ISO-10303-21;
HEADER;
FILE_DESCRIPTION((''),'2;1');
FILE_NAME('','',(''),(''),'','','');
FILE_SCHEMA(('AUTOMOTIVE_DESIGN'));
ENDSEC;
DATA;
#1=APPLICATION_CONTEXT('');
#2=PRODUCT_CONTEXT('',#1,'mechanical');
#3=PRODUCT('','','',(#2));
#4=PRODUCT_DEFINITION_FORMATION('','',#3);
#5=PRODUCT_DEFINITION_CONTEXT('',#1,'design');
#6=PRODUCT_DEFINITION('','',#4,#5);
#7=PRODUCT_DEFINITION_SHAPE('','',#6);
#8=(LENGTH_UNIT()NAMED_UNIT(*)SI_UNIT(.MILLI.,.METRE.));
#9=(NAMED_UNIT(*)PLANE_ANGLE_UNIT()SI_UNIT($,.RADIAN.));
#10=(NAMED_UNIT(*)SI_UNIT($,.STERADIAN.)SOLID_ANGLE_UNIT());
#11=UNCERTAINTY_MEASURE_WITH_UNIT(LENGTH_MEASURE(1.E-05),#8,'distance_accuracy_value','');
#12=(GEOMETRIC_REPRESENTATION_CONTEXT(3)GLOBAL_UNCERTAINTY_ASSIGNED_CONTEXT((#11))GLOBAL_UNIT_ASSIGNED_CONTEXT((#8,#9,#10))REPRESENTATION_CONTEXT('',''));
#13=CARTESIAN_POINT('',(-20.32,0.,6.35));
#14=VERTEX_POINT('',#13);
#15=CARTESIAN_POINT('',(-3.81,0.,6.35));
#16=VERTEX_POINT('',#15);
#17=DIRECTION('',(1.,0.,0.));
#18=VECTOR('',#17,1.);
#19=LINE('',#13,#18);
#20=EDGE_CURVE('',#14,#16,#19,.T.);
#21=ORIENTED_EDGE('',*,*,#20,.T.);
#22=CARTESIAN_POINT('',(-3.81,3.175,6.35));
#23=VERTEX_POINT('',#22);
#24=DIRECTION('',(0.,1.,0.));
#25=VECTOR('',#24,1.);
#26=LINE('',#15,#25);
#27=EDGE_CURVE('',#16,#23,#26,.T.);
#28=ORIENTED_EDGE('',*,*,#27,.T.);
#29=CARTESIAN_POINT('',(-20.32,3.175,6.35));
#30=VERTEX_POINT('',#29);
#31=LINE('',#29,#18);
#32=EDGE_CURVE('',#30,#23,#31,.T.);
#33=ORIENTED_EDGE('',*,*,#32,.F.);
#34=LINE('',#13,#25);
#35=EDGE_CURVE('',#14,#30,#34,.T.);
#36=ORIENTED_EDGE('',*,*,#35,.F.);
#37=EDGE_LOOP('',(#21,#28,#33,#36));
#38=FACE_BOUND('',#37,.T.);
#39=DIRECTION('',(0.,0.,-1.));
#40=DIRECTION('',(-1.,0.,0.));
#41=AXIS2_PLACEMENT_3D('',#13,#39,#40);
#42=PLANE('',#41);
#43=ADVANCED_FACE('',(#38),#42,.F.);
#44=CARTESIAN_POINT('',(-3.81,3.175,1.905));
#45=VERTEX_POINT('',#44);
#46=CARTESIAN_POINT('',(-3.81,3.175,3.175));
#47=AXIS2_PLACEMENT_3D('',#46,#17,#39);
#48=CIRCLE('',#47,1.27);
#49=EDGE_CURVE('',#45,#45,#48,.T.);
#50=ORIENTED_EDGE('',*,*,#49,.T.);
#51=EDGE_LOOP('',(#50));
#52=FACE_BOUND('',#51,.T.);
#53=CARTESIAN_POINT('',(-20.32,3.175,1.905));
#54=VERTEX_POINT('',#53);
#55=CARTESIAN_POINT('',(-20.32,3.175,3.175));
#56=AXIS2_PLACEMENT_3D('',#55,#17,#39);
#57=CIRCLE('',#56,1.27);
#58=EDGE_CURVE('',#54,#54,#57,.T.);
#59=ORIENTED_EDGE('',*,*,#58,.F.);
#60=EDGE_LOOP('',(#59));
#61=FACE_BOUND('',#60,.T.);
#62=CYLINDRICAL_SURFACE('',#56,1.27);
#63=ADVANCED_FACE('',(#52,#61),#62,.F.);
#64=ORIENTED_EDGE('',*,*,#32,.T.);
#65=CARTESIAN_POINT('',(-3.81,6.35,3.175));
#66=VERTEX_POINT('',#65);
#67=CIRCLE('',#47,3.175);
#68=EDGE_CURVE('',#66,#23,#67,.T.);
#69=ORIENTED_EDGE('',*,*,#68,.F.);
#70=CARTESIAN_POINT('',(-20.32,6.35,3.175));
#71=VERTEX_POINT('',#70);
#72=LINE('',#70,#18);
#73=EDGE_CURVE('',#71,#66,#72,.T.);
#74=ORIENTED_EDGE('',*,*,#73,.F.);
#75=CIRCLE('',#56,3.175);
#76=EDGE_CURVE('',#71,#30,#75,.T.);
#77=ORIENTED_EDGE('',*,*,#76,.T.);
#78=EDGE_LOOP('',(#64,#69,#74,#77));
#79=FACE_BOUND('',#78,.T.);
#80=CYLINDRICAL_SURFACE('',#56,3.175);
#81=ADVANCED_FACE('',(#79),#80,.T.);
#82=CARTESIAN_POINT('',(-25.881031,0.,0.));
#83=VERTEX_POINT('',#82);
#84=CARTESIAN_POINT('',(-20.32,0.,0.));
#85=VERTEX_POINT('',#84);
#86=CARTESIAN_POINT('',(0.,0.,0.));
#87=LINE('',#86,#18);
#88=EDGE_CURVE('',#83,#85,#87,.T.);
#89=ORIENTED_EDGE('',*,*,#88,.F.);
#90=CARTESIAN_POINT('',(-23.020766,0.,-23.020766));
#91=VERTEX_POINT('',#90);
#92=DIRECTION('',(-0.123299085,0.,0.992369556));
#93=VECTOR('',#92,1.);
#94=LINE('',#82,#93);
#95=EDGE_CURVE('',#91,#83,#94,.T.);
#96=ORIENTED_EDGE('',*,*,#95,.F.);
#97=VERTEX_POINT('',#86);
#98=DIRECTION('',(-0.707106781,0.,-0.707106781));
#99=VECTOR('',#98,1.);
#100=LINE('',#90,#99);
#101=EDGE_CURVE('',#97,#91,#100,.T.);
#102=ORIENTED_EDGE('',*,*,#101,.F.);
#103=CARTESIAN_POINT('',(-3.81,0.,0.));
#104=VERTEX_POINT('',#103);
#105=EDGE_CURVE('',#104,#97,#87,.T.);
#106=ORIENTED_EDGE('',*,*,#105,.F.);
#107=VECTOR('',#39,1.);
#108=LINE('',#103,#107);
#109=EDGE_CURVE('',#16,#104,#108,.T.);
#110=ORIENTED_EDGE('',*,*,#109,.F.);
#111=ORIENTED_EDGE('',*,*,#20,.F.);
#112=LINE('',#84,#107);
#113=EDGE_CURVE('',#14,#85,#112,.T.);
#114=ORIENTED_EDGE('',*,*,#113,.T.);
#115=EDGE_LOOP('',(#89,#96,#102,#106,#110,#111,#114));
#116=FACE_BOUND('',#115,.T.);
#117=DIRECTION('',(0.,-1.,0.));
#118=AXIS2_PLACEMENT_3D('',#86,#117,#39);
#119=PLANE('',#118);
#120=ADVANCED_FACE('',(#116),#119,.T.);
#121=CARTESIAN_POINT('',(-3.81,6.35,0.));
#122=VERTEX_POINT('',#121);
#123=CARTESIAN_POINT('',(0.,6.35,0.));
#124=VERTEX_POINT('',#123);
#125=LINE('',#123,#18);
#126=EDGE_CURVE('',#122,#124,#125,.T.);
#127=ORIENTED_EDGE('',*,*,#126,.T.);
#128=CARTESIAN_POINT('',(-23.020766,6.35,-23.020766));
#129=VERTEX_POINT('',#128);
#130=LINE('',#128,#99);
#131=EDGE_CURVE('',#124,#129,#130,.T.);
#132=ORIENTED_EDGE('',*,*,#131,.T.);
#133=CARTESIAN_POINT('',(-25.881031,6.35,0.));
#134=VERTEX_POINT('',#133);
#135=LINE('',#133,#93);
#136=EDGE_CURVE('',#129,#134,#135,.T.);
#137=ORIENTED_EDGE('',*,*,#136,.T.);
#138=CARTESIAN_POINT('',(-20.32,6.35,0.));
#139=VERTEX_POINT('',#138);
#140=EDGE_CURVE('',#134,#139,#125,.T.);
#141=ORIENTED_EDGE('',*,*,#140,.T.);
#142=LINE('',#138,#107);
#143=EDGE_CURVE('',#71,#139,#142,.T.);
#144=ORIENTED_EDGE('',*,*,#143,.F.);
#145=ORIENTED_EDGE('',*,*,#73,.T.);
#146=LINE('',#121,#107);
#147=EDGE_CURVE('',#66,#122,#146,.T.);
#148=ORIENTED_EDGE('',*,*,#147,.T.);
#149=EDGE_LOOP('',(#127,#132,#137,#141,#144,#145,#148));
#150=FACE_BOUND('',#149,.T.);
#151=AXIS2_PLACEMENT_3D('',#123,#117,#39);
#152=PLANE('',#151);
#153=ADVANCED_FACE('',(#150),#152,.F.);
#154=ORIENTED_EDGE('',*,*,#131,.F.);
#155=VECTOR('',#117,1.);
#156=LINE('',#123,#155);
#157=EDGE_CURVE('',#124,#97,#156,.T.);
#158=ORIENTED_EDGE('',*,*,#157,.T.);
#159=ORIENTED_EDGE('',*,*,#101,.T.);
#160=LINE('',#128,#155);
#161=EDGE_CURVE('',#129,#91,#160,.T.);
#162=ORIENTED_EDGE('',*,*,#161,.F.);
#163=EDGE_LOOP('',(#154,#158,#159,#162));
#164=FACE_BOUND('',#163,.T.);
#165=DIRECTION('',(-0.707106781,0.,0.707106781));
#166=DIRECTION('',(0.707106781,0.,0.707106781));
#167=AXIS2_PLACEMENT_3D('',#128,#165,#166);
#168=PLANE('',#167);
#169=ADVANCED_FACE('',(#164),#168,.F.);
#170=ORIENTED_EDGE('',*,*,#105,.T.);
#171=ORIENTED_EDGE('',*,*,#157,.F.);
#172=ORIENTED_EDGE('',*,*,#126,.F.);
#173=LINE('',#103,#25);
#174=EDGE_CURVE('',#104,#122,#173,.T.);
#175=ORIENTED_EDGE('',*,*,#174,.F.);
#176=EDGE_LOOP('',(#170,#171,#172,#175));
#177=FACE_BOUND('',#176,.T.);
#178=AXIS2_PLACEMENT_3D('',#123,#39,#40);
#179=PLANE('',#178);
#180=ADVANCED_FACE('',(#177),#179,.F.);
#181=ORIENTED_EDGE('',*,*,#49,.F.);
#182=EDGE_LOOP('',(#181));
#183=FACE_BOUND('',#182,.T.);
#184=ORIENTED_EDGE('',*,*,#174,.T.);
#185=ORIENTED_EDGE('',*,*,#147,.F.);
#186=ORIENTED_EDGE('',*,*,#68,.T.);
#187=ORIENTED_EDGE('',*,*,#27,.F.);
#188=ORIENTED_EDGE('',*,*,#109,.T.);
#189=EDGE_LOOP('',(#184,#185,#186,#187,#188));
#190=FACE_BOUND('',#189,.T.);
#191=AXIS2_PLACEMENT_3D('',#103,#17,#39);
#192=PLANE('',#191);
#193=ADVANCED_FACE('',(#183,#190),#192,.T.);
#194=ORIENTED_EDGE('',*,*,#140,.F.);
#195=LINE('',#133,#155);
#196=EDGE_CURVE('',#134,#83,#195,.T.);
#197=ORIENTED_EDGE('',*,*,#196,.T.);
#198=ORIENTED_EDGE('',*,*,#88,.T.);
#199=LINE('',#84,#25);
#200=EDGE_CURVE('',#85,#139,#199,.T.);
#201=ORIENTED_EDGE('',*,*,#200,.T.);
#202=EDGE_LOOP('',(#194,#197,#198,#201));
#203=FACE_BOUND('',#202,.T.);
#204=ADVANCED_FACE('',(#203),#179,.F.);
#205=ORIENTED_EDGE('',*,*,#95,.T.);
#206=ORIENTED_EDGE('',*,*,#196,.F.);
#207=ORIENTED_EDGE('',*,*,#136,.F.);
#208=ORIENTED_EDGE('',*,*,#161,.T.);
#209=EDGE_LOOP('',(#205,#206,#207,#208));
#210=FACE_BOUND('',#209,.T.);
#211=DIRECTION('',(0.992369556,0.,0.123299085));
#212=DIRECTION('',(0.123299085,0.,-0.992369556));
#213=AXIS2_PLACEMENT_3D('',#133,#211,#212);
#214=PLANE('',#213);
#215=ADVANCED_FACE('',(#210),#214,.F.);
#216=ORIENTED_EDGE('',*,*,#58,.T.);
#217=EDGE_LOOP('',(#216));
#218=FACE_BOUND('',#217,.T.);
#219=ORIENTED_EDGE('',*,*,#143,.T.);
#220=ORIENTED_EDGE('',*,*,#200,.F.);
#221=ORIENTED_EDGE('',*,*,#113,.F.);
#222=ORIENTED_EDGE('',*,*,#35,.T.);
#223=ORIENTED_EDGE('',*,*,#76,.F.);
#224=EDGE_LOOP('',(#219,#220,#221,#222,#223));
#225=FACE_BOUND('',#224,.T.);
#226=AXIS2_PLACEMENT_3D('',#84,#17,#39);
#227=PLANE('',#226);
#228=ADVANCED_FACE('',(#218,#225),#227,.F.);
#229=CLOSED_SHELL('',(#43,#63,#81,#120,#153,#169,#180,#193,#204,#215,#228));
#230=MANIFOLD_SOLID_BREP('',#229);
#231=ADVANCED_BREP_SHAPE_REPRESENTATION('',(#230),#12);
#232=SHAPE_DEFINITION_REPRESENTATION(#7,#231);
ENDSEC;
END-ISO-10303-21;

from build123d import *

# Parameters (mm, degrees)
BOSS_EXTRUDE1_DEPTH = 6.35
BOSS_EXTRUDE2_START = -3.81
SKETCH2_R           = 3.175
SKETCH2_R_2         = 1.27
BOSS_EXTRUDE2_DEPTH = 16.51


with BuildPart() as part:
    # Sketch1 → Boss-Extrude1 (new body)
    with BuildSketch(Plane(origin=(0, 0, 0), x_dir=(1, 0, 0), z_dir=(0, 1, 0))):
        Polygon((-25.881030621, 0), (-23.020766125, 23.020766125), (0, 0), align=None)
    extrude(amount=BOSS_EXTRUDE1_DEPTH)

    # Sketch2 → Boss-Extrude2 (add)
    with BuildSketch(Plane(origin=(0, 0, 0), x_dir=(0, 0, -1), z_dir=(1, 0, 0)).offset(BOSS_EXTRUDE2_START)):
        with Locations((-3.175, 3.175)):
            Circle(SKETCH2_R)
        with Locations((-3.175, 3.175)):
            Circle(SKETCH2_R_2, mode=Mode.SUBTRACT)
        with BuildLine():
            ThreePointArc((-3.174999994, 6.35), (-0.929935968, 5.420064028), (0, 3.175))
            Line((0, 3.175), (0, 6.35))
            Line((0, 6.35), (-3.174999994, 6.35))
        make_face()
        with BuildLine():
            ThreePointArc((0, 3.175), (-0.92993597, 0.92993597), (-3.175, 0))
            Line((-3.175, 0), (0, 0))
            Line((0, 0), (0, 3.175))
        make_face()
        with BuildLine():
            Line((-6.35, 3.175), (-6.35, 0))
            Line((-6.35, 0), (-3.175, 0))
            ThreePointArc((-3.175, 0), (-5.42006403, 0.92993597), (-6.35, 3.175))
        make_face()
    extrude(amount=-BOSS_EXTRUDE2_DEPTH)


solid = part.part
